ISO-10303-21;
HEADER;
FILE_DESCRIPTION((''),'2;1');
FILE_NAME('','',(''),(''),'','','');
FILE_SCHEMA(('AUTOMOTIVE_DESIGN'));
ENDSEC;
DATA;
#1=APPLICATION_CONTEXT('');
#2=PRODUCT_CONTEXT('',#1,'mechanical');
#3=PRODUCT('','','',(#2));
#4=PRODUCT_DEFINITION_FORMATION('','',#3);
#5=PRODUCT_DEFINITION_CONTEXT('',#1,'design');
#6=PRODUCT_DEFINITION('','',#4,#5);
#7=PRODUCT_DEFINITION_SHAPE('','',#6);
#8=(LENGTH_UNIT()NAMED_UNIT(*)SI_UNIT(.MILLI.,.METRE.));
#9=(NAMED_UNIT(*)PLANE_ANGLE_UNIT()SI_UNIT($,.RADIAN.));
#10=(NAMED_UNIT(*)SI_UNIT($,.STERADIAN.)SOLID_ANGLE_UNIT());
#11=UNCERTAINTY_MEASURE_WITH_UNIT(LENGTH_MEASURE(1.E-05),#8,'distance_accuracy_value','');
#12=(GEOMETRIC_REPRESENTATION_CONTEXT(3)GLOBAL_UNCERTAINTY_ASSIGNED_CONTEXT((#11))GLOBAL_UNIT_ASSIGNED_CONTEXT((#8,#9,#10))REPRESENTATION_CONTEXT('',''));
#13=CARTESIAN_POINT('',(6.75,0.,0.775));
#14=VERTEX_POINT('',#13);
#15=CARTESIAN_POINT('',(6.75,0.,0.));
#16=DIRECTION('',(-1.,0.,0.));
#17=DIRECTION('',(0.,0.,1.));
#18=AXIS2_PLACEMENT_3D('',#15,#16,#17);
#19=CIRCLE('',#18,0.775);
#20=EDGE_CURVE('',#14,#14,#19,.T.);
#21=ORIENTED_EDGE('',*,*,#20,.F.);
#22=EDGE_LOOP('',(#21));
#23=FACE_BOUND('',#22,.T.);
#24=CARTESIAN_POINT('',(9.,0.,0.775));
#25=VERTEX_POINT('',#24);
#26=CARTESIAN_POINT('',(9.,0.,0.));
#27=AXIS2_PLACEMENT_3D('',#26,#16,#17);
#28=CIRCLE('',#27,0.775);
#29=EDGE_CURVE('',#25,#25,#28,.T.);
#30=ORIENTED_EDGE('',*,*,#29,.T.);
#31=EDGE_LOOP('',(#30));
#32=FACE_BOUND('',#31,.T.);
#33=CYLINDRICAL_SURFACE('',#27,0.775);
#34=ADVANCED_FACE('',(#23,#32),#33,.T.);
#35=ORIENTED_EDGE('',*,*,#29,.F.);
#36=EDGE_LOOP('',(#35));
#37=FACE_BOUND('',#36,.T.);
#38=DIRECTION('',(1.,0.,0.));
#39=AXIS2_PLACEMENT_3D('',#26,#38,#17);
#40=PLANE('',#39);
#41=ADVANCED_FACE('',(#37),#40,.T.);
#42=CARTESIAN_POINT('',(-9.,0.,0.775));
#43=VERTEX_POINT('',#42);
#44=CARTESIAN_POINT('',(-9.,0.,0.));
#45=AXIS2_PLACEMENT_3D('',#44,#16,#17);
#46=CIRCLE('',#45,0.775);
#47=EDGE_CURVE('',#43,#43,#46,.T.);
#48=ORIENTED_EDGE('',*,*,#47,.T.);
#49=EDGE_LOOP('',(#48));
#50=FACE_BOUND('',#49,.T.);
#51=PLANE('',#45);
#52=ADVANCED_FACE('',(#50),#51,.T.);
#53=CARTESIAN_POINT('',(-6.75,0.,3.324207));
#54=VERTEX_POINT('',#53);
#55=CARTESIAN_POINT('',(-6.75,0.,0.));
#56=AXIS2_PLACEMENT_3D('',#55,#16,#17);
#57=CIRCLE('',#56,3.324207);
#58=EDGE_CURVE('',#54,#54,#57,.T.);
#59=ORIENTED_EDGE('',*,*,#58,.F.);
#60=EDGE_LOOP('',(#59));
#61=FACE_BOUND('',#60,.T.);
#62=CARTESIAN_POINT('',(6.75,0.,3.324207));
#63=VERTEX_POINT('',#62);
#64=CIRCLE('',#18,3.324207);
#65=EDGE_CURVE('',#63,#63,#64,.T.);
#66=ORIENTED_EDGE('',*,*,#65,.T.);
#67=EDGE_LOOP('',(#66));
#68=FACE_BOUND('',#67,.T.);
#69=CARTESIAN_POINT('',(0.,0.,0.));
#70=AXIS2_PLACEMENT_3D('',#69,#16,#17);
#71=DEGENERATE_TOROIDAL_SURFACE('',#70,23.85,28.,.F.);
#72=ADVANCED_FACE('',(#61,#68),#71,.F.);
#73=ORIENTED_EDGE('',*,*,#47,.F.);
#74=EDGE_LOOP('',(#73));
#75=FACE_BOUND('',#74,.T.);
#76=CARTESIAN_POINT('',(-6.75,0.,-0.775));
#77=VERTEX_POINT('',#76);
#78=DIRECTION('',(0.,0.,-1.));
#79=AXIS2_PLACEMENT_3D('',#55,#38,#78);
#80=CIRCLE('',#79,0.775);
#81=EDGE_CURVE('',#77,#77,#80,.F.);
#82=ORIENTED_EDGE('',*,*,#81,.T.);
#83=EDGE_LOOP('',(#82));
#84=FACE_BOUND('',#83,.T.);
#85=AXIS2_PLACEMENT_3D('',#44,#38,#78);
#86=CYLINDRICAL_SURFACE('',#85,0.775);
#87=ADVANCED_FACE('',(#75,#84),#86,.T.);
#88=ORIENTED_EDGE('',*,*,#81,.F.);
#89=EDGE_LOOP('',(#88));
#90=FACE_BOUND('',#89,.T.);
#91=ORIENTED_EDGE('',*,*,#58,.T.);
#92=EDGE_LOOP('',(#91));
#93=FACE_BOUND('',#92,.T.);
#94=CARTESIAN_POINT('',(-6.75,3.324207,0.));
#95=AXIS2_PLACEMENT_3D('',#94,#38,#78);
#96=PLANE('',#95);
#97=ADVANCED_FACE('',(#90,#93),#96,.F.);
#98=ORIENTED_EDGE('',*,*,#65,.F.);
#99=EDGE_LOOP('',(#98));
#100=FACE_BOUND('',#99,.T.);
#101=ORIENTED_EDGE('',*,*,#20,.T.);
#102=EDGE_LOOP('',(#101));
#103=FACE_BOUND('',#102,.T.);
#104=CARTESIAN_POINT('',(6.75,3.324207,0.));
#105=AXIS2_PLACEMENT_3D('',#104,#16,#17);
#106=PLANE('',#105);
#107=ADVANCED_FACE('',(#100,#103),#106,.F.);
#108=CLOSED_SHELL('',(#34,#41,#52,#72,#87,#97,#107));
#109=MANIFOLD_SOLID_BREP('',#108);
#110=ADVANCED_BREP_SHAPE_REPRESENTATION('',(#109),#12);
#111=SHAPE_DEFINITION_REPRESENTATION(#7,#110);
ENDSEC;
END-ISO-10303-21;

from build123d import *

# Parameters (mm, degrees)
SKETCH3_R           = 0.775
BOSS_EXTRUDE1_DEPTH = 2.25


with BuildPart() as part:
    # Sweep1: sweep along a path in Sketch1
    with BuildLine(Plane(origin=(0, 0, 0), x_dir=(0, 0, -1), z_dir=(1, 0, 0))) as sweep1_path:
        CenterArc((0, 0), 4.15, 0, 360)
    # Sketch2 → Sweep1 (sweep)
    with BuildSketch(Plane.XY):
        with BuildLine():
            Line((6.75, 0), (-6.75, 0))
            Line((-6.75, 0), (-6.75, 3.32420652))
            ThreePointArc((-6.75, 3.32420652), (0, 4.15), (6.75, 3.32420652))
            Line((6.75, 3.32420652), (6.75, 0))
        make_face()
    sweep(path=sweep1_path.line)

    # Sketch3 → Boss-Extrude1 (add)
    with BuildSketch(Plane.ZY.offset(6.75)):
        Circle(SKETCH3_R)
    boss_extrude1 = extrude(amount=BOSS_EXTRUDE1_DEPTH)

    # Mirror1: Boss-Extrude1 across plane
    add(boss_extrude1.mirror(Plane(origin=(0, 0, 0), x_dir=(0, 0, 1), z_dir=(1, 0, 0))))


solid = part.part
